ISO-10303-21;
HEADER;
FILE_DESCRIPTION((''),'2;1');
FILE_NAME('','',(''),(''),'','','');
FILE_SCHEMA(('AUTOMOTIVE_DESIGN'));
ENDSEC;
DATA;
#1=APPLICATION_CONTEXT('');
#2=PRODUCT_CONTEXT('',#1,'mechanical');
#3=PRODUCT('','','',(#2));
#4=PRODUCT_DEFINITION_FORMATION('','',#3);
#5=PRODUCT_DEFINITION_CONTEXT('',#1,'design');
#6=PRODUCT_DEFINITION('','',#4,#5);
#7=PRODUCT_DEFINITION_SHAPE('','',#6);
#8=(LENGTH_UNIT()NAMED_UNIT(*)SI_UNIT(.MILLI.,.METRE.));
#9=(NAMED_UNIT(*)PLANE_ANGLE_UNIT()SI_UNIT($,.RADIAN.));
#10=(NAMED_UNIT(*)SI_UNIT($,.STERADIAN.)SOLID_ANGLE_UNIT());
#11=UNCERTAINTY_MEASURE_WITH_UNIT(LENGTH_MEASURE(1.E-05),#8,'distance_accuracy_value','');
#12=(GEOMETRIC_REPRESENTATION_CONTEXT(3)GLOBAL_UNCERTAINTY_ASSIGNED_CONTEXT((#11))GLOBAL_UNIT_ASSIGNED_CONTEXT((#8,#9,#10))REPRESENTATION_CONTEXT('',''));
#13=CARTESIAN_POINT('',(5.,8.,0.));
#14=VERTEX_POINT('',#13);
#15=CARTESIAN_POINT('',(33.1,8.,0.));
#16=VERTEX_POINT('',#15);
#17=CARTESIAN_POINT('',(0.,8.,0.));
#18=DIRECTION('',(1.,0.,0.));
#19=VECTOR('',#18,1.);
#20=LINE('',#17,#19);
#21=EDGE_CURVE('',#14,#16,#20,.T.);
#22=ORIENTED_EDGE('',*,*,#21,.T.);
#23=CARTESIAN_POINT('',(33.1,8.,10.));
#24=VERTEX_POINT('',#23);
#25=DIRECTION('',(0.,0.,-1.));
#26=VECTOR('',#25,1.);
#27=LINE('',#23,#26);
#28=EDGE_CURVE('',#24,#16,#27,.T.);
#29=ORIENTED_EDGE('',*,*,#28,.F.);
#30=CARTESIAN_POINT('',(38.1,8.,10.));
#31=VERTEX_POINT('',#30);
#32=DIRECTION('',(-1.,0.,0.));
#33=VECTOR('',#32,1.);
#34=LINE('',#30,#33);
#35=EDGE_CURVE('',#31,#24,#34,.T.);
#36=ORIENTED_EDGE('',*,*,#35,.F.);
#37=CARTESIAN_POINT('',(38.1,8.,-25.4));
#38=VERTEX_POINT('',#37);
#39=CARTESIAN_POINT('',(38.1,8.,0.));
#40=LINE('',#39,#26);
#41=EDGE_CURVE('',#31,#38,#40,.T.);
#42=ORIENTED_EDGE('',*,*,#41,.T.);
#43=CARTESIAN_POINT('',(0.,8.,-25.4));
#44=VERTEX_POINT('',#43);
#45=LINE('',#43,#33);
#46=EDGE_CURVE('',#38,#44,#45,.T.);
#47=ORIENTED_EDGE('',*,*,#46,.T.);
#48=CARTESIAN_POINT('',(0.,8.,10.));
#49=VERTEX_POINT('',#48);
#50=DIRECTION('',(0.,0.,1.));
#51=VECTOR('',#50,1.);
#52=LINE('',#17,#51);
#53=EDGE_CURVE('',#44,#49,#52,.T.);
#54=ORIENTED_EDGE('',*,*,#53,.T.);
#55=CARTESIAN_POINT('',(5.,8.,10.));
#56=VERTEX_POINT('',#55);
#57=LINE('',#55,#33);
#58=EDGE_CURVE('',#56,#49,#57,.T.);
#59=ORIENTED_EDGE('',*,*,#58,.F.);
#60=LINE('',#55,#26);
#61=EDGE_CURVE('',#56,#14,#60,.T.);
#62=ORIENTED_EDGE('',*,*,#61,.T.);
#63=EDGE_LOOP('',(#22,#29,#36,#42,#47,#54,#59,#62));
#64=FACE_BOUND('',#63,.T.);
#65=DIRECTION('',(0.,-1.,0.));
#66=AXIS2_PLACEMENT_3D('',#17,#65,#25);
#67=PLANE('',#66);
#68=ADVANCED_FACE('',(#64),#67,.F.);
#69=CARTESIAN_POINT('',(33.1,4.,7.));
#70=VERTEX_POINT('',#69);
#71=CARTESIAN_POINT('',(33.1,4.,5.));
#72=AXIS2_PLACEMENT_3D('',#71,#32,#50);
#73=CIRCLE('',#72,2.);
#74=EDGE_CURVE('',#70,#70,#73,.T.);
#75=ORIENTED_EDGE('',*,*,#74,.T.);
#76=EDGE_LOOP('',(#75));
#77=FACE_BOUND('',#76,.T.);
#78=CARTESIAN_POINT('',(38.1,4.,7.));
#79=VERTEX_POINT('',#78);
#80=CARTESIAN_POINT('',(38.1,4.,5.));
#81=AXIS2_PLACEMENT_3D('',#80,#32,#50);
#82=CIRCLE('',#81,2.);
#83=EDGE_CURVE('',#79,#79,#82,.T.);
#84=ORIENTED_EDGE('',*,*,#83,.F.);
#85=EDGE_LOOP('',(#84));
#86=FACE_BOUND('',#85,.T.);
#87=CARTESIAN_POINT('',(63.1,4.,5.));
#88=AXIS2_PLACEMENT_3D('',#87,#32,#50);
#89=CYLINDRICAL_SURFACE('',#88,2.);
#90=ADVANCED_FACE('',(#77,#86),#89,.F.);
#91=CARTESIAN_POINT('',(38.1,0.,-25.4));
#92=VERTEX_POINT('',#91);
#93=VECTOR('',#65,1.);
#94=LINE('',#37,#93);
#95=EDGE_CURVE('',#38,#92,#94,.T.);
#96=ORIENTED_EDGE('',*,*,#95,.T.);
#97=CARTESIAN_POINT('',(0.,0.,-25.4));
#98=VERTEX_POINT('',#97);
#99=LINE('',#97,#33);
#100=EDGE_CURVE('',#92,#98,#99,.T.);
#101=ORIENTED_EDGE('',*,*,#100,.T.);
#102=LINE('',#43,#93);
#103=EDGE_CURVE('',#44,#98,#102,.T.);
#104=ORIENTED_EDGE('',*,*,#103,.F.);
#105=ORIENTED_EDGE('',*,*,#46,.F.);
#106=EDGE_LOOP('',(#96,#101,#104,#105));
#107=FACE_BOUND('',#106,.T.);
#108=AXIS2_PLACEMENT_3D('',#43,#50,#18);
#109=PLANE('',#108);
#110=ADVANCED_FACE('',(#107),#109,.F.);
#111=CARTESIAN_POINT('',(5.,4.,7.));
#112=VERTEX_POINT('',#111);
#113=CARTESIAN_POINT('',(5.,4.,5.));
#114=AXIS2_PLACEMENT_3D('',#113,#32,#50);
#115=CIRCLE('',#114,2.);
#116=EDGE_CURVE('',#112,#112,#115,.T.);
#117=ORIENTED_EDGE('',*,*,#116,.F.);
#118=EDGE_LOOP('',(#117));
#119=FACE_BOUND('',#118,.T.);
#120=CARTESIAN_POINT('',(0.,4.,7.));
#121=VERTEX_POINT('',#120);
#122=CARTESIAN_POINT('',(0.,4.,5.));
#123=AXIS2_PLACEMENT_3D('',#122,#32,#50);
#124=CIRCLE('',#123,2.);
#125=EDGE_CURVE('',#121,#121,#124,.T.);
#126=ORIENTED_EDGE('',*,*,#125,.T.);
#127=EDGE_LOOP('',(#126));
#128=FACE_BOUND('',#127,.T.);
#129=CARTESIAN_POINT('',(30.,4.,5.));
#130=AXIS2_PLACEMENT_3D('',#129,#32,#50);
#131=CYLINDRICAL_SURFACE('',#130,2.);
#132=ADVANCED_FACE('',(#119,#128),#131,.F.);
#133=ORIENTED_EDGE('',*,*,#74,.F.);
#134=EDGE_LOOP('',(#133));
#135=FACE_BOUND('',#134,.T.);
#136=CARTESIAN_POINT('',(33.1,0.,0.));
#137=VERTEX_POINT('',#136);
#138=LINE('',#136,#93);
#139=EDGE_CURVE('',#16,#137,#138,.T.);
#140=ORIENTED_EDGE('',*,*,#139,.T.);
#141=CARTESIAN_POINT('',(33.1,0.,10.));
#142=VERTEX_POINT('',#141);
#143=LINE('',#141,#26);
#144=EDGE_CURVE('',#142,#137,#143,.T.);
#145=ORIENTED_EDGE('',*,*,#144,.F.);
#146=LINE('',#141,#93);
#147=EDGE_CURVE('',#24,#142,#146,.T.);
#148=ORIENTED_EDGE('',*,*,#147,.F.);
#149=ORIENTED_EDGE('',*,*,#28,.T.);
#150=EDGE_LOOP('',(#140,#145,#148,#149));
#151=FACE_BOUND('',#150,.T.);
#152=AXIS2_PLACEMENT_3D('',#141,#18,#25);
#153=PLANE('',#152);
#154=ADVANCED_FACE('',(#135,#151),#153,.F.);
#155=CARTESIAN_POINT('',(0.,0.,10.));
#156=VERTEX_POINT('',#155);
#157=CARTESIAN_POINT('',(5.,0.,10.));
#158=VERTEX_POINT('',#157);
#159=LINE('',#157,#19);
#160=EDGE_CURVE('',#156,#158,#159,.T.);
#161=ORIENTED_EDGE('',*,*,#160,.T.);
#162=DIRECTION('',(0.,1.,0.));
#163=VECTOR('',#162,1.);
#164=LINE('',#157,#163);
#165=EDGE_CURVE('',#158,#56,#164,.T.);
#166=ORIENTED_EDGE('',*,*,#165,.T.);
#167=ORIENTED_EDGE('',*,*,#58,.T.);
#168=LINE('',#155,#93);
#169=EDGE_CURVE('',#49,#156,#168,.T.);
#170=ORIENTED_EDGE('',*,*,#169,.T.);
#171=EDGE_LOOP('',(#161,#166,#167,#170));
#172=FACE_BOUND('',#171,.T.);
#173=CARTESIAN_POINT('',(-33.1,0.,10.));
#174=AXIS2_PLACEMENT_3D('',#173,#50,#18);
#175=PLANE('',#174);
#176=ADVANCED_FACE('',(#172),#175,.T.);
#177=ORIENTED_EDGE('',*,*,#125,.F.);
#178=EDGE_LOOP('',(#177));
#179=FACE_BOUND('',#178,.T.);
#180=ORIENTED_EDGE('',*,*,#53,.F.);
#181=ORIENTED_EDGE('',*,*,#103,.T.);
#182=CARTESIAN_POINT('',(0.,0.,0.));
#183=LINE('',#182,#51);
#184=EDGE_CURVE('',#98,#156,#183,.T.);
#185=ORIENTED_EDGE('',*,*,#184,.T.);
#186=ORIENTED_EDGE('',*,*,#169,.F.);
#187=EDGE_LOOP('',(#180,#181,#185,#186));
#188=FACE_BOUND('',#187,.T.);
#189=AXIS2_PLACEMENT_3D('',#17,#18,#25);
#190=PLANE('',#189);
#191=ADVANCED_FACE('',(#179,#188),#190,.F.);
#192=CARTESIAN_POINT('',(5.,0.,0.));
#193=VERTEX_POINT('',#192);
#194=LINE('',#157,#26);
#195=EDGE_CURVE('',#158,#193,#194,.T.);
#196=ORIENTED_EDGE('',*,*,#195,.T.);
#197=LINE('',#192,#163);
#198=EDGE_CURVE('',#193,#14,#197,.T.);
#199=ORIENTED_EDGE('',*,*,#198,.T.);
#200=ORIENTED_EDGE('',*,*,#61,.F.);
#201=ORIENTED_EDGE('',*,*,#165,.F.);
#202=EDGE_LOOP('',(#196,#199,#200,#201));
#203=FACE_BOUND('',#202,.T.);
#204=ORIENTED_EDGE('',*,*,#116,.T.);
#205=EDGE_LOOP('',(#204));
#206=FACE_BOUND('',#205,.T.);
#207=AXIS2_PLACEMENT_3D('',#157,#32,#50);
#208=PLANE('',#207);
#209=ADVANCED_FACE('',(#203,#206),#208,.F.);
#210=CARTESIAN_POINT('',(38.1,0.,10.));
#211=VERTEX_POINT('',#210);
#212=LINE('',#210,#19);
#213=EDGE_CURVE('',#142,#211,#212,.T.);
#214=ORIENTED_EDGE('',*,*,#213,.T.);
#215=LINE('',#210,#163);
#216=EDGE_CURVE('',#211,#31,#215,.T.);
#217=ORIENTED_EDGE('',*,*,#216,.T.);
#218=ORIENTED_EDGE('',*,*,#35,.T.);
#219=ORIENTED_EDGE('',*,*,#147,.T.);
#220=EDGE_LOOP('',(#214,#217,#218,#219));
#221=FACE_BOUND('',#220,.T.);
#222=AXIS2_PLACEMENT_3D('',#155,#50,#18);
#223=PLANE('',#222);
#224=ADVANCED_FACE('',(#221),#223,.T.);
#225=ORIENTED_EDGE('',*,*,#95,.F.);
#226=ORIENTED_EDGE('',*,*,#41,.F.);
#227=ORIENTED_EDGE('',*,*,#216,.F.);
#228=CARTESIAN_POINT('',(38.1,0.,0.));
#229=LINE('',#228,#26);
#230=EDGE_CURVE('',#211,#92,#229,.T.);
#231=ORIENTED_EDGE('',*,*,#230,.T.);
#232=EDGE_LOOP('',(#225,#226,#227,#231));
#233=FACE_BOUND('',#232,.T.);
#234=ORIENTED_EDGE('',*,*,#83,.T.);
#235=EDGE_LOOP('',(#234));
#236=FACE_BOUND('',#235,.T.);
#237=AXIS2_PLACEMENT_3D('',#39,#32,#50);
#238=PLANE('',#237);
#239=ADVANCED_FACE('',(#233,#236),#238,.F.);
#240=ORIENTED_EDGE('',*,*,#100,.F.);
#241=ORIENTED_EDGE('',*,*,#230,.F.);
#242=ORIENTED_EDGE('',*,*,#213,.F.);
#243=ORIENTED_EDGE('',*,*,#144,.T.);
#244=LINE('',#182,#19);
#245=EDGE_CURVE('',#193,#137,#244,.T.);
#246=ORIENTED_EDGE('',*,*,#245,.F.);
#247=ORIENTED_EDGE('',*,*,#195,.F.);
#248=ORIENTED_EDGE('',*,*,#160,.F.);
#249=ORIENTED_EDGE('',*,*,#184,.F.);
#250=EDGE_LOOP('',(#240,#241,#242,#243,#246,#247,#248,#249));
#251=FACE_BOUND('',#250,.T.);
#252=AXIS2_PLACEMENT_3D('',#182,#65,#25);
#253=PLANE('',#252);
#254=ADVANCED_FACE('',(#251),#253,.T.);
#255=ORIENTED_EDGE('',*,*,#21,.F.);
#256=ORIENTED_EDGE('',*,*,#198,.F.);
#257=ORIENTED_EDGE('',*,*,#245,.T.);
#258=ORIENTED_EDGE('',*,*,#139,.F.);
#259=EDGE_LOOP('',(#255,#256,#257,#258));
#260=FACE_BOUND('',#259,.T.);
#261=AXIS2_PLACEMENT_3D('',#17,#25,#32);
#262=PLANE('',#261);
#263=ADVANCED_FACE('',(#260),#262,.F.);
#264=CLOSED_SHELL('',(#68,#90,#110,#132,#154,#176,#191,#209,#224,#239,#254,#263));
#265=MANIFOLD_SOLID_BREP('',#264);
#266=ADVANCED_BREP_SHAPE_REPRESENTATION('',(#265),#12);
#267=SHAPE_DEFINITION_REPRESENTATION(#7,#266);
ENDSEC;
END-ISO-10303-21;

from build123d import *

# Parameters (mm, degrees)
SKETCH1_W           = 38.1
SKETCH1_H           = 25.4
BOSS_EXTRUDE1_DEPTH = 8
SKETCH2_W           = 5
SKETCH2_H           = 8
BOSS_EXTRUDE2_DEPTH = 10
SKETCH3_R           = 2
CUT_EXTRUDE1_DEPTH  = 30
LPATTERN1_COUNT     = 2
LPATTERN1_PITCH     = 33.1


with BuildPart() as part:
    # Sketch1 → Boss-Extrude1 (new body)
    with BuildSketch(Plane(origin=(0, 0, 0), x_dir=(1, 0, 0), z_dir=(0, 1, 0))):
        with Locations((19.05, 12.7)):
            Rectangle(SKETCH1_W, SKETCH1_H)
    extrude(amount=BOSS_EXTRUDE1_DEPTH)

    # Sketch2 → Boss-Extrude2 (add)
    with BuildSketch(Plane.XY):
        with Locations((35.6, 4)):
            Rectangle(SKETCH2_W, SKETCH2_H)
    boss_extrude2 = extrude(amount=BOSS_EXTRUDE2_DEPTH)

    # Sketch3 → Cut-Extrude1 (cut)
    with BuildSketch(Plane.ZY.offset(-33.1)):
        with Locations((5, 4)):
            Circle(SKETCH3_R)
    cut_extrude1 = extrude(amount=-CUT_EXTRUDE1_DEPTH, mode=Mode.SUBTRACT)

    # LPattern1: Boss-Extrude2, Cut-Extrude1 ×2
    with Locations(*[(-i * LPATTERN1_PITCH, 0, 0) for i in range(1, LPATTERN1_COUNT)]):
        add(boss_extrude2)
        add(cut_extrude1, mode=Mode.SUBTRACT)


solid = part.part
